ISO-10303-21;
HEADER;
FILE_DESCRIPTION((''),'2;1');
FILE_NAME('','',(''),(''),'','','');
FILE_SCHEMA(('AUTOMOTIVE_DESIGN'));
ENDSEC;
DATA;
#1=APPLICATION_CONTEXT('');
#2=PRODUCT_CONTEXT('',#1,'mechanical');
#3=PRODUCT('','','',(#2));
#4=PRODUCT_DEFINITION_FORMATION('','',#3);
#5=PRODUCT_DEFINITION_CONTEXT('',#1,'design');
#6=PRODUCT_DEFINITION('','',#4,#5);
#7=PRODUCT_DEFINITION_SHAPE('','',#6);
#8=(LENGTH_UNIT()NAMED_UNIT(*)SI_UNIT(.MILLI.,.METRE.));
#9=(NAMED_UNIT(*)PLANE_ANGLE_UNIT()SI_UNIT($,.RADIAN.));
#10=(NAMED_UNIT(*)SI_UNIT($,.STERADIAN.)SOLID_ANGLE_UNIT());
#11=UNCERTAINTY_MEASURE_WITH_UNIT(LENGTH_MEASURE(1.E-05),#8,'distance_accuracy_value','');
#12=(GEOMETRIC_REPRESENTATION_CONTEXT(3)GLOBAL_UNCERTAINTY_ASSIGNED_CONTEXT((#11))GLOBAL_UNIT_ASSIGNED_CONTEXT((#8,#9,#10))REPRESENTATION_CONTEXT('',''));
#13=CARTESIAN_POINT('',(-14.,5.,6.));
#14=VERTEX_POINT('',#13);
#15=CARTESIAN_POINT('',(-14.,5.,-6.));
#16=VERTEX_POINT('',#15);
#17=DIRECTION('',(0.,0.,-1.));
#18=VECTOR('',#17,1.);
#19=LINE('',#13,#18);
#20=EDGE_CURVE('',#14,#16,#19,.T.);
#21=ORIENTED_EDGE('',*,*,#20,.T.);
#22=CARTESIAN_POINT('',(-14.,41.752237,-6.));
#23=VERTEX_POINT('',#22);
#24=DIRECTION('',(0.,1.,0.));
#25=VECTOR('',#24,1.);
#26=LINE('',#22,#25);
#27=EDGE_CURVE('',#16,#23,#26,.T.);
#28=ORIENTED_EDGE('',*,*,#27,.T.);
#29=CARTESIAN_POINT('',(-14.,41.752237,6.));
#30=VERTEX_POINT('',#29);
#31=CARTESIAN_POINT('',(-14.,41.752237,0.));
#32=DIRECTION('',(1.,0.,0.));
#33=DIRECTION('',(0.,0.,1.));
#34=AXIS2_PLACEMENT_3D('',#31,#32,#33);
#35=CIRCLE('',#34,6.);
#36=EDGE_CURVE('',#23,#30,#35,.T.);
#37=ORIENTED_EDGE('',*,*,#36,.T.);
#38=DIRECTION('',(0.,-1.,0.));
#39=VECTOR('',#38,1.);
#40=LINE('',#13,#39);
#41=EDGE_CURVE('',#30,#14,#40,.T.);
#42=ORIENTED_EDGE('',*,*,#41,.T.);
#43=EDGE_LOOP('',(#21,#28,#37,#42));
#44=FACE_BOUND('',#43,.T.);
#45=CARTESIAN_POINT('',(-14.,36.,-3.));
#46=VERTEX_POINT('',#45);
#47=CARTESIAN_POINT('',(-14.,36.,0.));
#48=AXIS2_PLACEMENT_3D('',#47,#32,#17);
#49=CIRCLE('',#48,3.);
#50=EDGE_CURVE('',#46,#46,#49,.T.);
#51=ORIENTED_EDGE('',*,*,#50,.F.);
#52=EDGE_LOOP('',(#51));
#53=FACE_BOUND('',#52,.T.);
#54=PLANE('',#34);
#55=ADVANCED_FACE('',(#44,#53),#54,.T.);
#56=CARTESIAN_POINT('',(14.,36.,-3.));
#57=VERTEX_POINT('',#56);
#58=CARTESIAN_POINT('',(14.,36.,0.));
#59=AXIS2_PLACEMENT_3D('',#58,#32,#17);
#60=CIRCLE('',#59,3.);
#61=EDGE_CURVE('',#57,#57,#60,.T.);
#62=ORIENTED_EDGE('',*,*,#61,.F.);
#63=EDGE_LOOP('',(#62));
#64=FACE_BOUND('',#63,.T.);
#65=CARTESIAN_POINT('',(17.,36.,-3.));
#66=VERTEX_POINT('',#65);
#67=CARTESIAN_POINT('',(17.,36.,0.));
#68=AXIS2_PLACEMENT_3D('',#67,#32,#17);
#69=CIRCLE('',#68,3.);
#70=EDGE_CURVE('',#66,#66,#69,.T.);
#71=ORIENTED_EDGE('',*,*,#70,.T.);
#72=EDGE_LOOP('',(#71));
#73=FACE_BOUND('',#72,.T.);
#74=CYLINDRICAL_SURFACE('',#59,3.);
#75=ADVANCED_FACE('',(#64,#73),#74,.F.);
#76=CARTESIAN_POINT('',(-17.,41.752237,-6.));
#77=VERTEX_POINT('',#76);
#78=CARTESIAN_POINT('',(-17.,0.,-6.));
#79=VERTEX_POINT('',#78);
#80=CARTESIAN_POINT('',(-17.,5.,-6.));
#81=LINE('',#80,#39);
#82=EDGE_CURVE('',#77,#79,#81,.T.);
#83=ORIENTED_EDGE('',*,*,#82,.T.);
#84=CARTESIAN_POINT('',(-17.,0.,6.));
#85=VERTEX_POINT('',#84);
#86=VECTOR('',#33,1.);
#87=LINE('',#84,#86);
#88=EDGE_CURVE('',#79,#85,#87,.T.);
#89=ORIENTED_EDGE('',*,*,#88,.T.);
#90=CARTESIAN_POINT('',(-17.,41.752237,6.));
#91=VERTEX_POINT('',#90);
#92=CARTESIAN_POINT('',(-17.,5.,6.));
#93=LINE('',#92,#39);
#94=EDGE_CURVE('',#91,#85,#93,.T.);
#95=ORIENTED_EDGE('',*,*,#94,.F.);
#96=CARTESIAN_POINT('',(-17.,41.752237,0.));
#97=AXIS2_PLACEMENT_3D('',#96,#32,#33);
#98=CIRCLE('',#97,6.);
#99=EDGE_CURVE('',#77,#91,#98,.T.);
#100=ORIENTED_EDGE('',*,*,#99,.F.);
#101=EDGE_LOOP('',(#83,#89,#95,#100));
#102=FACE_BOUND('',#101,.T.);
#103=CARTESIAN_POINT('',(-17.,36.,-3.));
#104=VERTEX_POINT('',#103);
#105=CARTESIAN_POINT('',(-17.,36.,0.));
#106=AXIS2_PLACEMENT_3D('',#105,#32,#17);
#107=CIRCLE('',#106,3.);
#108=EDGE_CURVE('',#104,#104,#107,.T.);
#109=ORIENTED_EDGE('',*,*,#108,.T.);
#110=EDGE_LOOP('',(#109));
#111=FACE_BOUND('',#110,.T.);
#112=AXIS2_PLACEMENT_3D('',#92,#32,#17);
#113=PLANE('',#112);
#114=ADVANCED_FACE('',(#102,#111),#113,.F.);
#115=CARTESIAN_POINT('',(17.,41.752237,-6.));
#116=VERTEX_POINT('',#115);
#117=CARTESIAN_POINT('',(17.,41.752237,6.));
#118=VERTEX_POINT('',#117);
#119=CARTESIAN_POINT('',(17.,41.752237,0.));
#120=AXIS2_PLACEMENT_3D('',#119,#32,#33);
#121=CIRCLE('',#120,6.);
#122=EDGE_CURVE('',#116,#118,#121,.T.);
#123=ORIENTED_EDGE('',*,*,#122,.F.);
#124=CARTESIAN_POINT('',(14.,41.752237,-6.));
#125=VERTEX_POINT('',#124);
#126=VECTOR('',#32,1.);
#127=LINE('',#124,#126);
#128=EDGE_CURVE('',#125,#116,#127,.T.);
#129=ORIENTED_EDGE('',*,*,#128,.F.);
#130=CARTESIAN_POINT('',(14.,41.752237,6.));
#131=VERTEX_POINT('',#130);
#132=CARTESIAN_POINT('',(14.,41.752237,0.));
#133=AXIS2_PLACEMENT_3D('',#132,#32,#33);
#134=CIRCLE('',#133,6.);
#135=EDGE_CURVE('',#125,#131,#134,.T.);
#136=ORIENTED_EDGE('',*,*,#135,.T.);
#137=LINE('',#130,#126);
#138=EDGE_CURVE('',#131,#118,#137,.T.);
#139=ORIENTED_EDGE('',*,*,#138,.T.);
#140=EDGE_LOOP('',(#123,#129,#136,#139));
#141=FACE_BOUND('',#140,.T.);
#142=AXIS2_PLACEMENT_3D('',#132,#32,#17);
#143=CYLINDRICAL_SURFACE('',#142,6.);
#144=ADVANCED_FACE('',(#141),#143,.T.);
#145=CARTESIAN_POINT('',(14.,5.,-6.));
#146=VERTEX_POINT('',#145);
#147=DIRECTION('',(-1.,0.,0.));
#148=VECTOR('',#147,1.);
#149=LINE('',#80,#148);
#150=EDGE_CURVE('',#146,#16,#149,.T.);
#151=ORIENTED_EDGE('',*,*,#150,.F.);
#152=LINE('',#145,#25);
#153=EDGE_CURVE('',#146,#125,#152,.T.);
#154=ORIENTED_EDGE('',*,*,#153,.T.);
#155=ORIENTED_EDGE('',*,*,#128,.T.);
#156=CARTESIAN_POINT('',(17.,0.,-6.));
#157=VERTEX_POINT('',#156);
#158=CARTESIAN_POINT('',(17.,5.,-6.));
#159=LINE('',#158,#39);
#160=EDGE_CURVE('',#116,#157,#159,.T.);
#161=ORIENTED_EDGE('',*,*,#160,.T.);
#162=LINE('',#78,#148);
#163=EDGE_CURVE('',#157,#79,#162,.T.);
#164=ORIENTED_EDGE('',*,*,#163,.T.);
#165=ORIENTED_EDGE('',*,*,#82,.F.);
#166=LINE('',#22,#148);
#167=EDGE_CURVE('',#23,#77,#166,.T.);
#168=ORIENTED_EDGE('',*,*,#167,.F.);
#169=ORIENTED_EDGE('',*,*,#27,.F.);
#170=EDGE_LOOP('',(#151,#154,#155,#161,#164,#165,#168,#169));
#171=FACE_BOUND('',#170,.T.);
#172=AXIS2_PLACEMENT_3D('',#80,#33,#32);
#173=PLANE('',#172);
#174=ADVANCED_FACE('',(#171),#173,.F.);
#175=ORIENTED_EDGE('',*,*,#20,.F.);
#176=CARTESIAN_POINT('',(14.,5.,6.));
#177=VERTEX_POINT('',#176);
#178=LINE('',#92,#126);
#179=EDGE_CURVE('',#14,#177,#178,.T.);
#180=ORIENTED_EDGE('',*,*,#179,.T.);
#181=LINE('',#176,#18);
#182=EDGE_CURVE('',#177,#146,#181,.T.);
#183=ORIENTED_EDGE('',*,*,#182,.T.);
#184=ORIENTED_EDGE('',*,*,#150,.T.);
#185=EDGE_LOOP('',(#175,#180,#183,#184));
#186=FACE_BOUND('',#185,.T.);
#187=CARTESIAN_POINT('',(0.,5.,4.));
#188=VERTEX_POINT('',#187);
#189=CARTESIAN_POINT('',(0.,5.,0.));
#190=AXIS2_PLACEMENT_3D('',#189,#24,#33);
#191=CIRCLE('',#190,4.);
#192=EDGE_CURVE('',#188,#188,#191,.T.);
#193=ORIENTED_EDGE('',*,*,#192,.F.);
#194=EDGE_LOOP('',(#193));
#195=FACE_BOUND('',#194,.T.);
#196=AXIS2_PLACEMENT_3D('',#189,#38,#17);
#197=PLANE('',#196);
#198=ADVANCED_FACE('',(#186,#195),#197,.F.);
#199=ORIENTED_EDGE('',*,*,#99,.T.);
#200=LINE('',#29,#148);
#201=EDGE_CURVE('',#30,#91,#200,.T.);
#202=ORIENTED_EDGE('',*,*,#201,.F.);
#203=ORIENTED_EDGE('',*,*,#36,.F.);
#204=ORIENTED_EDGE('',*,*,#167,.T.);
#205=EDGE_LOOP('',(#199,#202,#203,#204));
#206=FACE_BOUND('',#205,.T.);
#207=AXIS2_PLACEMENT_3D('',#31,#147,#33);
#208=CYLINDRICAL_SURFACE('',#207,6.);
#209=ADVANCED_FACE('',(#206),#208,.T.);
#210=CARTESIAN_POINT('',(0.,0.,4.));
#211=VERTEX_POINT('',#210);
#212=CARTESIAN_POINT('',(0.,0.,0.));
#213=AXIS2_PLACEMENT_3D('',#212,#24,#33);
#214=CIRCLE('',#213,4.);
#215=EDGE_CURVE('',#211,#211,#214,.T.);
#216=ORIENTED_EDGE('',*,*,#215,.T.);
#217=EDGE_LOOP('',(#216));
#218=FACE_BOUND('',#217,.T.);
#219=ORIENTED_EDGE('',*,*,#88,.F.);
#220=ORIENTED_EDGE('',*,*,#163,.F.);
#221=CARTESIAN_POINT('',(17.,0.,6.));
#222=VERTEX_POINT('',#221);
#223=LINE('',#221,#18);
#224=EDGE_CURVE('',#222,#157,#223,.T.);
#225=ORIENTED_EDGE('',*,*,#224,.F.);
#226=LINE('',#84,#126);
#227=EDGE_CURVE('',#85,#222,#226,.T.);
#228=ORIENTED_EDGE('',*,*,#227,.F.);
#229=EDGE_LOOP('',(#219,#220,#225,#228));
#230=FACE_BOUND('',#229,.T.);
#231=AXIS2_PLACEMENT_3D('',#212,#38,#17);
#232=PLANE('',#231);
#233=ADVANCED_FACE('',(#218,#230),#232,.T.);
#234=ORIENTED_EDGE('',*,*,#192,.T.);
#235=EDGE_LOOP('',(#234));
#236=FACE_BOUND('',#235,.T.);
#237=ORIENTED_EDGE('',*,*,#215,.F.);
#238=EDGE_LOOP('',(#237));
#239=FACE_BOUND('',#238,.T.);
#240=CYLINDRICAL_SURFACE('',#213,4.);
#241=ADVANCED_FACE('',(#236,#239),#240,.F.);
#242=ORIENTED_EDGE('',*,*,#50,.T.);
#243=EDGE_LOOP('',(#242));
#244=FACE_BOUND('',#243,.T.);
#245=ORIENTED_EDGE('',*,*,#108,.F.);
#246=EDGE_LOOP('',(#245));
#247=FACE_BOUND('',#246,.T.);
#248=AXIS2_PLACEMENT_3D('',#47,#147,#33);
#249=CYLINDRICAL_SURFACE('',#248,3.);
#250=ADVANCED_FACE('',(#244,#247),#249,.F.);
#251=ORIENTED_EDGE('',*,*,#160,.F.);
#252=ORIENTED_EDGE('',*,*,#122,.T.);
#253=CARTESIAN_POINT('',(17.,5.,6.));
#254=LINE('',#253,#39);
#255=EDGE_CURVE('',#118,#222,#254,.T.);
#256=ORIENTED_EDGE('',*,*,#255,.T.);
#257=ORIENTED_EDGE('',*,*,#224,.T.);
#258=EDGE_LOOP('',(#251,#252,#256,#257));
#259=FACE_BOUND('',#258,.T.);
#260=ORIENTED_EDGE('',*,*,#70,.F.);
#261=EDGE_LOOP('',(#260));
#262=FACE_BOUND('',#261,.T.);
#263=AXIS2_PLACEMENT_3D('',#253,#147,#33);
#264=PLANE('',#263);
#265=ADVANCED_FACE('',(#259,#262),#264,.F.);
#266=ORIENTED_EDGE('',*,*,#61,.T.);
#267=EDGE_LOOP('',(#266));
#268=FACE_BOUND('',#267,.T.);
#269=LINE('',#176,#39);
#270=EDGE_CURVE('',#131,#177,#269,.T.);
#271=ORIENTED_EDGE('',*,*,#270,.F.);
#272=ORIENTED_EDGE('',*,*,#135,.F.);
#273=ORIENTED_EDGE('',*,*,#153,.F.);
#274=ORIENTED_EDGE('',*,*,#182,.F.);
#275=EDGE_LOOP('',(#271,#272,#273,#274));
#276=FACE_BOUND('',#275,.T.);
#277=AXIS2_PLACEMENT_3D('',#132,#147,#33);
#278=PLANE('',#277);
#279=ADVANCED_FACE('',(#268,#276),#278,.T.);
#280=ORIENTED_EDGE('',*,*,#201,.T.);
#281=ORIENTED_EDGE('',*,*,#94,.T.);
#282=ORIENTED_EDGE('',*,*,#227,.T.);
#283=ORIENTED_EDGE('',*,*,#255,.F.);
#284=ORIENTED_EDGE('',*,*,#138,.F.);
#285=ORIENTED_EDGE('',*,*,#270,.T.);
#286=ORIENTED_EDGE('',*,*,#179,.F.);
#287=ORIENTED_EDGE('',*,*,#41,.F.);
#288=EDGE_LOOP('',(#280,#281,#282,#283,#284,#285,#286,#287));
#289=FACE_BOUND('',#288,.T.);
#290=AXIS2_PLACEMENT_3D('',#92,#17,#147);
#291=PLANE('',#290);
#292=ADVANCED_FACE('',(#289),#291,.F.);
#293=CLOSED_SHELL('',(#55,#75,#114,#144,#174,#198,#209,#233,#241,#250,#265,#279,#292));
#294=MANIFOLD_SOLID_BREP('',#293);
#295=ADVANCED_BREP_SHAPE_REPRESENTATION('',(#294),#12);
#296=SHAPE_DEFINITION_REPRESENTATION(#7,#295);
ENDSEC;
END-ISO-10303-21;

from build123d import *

# Parameters (mm, degrees)
SKETCH1_W           = 34
SKETCH1_H           = 12
BOSS_EXTRUDE1_DEPTH = 5
SKETCH5_R           = 3
BOSS_EXTRUDE3_DEPTH = 3
SKETCH6_R           = 1.5
CUT_EXTRUDE1_DEPTH  = 3
SKETCH8_R           = 4
CUT_EXTRUDE4_DEPTH  = 47.397777415


with BuildPart() as part:
    # Sketch1 → Boss-Extrude1 (new body)
    with BuildSketch(Plane(origin=(0, 0, 0), x_dir=(1, 0, 0), z_dir=(0, 1, 0))):
        Rectangle(SKETCH1_W, SKETCH1_H)
    extrude(amount=BOSS_EXTRUDE1_DEPTH)

    # Sketch5 → Boss-Extrude3 (add)
    with BuildSketch(Plane(origin=(17, 0, 0), x_dir=(0, 0, -1), z_dir=(1, 0, 0))):
        with BuildLine():
            Line((-6, 5), (6, 5))
            Line((6, 5), (6, 36))
            Line((6, 36), (6, 41.752236772))
            ThreePointArc((6, 41.752236772), (0, 47.752236772), (-6, 41.752236772))
            Line((-6, 41.752236772), (-6, 36))
            Line((-6, 36), (-6, 5))
        make_face()
        with Locations((0, 36)):
            Circle(SKETCH5_R, mode=Mode.SUBTRACT)
    boss_extrude3 = extrude(amount=-BOSS_EXTRUDE3_DEPTH)

    # Sketch6 → Cut-Extrude1 (cut)
    with BuildSketch(Plane(origin=(0, 5, 0), x_dir=(1, 0, 0), z_dir=(0, 1, 0))):
        with Locations(Location((0, 0, 0), (0, 0, 270))):
            Circle(SKETCH6_R)
    extrude(amount=-CUT_EXTRUDE1_DEPTH, mode=Mode.SUBTRACT)

    # Sketch8 → Cut-Extrude4 (cut, through all)
    with BuildSketch(Plane(origin=(0, 5, 0), x_dir=(1, 0, 0), z_dir=(0, 1, 0))):
        with Locations(Location((0, 0, 0), (0, 0, 270))):
            Circle(SKETCH8_R)
    extrude(amount=-CUT_EXTRUDE4_DEPTH, mode=Mode.SUBTRACT)

    # Mirror1: Boss-Extrude3 across plane
    add(boss_extrude3.mirror(Plane(origin=(0, 0, 0), x_dir=(0, 0, 1), z_dir=(1, 0, 0))))


solid = part.part
